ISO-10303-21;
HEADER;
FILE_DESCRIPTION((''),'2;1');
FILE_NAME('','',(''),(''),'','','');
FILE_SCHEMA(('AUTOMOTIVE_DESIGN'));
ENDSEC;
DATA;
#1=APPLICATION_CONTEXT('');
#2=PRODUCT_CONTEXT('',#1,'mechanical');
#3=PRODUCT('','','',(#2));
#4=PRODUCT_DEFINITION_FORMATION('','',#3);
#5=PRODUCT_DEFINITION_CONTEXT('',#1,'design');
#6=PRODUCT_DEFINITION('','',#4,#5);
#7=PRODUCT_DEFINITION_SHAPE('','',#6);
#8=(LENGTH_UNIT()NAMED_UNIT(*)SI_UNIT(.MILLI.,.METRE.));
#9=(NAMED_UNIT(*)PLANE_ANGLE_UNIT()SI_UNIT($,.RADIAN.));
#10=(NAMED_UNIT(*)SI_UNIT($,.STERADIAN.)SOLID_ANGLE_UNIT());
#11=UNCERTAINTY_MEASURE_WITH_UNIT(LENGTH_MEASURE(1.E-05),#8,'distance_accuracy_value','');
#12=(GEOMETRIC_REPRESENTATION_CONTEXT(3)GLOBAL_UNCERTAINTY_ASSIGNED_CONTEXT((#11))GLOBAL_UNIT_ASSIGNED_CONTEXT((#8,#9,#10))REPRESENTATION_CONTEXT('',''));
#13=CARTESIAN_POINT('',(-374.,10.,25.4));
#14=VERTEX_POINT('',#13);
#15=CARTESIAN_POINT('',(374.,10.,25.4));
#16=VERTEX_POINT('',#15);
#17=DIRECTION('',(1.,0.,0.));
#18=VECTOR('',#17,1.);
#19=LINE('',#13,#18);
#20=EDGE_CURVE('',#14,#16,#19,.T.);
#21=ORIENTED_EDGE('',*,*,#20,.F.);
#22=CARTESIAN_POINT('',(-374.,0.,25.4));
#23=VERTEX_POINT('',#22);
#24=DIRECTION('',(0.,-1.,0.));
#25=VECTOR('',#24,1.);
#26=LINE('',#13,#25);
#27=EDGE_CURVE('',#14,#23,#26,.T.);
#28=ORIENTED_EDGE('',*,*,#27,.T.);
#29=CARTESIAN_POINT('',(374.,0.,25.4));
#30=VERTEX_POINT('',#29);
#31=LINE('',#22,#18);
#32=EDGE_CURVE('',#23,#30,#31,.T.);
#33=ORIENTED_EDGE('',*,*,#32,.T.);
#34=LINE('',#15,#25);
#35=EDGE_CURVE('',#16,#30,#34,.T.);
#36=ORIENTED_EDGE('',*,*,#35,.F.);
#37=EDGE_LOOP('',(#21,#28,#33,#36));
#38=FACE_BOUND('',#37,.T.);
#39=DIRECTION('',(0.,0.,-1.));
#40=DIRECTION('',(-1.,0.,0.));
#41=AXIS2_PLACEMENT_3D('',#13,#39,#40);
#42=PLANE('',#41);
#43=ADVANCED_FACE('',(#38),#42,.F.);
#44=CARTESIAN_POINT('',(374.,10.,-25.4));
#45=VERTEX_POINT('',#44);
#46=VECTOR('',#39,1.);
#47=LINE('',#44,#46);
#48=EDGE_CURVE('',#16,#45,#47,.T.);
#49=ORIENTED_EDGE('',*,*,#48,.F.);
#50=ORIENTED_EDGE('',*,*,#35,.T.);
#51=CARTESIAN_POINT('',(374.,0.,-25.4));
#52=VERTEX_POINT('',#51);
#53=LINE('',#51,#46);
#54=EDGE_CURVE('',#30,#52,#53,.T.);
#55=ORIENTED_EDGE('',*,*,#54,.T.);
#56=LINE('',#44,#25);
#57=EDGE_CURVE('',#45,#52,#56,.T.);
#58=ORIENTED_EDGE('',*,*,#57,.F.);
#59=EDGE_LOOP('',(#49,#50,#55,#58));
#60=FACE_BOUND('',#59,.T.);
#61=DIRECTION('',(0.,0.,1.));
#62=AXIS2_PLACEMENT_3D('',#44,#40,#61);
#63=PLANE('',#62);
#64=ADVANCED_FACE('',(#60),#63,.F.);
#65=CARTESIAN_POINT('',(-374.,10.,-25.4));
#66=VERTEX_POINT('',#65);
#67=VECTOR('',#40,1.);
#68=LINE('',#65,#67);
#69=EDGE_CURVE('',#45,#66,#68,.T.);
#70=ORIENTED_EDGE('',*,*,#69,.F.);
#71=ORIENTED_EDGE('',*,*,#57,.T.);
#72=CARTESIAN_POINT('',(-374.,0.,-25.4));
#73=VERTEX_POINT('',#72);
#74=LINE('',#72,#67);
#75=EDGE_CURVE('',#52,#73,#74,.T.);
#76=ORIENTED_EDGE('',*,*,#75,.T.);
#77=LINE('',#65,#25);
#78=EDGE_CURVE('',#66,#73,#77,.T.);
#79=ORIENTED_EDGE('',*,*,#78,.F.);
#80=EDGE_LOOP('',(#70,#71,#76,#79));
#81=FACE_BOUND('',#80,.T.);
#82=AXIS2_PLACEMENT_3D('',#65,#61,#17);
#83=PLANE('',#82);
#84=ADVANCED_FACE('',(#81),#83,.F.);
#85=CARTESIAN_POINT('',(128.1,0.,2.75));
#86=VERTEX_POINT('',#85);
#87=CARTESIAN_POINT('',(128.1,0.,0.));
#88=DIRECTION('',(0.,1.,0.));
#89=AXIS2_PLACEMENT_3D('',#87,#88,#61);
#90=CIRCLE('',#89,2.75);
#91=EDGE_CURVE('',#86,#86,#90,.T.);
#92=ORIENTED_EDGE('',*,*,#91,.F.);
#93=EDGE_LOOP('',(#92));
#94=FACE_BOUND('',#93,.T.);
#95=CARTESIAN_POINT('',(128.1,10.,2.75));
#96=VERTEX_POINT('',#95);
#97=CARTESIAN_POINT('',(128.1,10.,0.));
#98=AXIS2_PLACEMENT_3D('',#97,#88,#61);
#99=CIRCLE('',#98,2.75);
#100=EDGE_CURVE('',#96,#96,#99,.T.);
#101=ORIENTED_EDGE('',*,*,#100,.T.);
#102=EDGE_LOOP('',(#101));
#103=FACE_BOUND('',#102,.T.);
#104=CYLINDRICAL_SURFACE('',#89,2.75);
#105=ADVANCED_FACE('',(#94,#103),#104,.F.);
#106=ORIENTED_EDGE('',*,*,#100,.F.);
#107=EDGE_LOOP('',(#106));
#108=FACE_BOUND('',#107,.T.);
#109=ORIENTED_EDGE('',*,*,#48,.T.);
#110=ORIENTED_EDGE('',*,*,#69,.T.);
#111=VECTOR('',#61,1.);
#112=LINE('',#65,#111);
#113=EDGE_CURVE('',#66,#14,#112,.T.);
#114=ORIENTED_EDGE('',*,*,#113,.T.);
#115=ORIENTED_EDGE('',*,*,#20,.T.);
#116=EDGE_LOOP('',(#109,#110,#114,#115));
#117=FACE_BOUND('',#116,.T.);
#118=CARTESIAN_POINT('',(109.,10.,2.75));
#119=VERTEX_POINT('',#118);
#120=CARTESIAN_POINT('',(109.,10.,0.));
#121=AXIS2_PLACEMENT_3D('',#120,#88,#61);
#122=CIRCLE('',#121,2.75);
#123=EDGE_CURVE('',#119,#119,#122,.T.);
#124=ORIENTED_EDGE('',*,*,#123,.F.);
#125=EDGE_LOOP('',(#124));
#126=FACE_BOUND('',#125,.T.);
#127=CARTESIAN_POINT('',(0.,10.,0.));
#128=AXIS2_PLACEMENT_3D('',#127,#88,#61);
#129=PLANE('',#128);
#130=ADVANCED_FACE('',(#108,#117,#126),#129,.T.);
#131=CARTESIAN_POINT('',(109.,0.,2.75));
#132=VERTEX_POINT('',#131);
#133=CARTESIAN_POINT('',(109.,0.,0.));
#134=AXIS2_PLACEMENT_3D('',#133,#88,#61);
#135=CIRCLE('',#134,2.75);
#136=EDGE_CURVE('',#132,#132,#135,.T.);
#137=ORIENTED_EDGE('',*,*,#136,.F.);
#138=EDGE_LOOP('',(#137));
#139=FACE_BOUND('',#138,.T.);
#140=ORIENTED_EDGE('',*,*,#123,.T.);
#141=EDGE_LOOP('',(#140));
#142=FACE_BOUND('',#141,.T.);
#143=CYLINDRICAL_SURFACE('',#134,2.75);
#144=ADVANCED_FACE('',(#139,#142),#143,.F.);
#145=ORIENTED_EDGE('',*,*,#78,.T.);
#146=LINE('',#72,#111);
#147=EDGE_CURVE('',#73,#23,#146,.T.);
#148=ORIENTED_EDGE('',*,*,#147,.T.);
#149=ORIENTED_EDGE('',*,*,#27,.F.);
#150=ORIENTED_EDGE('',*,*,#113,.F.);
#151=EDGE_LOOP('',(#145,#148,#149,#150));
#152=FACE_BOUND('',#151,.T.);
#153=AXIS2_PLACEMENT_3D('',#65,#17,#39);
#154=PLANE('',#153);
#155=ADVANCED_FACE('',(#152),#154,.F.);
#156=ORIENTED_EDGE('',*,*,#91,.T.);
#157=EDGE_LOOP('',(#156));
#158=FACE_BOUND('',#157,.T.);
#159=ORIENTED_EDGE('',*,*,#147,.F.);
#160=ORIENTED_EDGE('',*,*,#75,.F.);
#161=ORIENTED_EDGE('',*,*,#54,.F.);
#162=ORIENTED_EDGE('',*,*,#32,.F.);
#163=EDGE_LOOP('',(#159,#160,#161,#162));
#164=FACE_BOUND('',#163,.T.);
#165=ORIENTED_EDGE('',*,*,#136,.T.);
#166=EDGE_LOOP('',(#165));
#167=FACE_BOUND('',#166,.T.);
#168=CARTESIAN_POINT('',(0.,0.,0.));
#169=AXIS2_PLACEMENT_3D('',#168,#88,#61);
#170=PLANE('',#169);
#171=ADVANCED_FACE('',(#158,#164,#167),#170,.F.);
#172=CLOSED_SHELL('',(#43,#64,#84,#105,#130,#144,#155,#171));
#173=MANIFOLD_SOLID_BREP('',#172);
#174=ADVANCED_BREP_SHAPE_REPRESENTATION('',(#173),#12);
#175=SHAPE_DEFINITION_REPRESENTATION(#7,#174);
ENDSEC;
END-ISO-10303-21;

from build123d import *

# Parameters (mm, degrees)
CROQUIS1_W              = 748
CROQUIS1_H              = 50.8
SALIENTE_EXTRUIR1_DEPTH = 10
CROQUIS2_R              = 2.75
CORTAR_EXTRUIR1_DEPTH   = 11


with BuildPart() as part:
    # Croquis1 → Saliente-Extruir1 (new body)
    with BuildSketch(Plane(origin=(0, 0, 0), x_dir=(1, 0, 0), z_dir=(0, 1, 0))):
        Rectangle(CROQUIS1_W, CROQUIS1_H)
    extrude(amount=SALIENTE_EXTRUIR1_DEPTH)

    # Croquis2 → Cortar-Extruir1 (cut, through all)
    with BuildSketch(Plane(origin=(0, 10, 0), x_dir=(1, 0, 0), z_dir=(0, 1, 0))):
        with Locations((128.1, 0)):
            Circle(CROQUIS2_R)
        with Locations((109, 0)):
            Circle(CROQUIS2_R)
    extrude(amount=-CORTAR_EXTRUIR1_DEPTH, mode=Mode.SUBTRACT)


solid = part.part
